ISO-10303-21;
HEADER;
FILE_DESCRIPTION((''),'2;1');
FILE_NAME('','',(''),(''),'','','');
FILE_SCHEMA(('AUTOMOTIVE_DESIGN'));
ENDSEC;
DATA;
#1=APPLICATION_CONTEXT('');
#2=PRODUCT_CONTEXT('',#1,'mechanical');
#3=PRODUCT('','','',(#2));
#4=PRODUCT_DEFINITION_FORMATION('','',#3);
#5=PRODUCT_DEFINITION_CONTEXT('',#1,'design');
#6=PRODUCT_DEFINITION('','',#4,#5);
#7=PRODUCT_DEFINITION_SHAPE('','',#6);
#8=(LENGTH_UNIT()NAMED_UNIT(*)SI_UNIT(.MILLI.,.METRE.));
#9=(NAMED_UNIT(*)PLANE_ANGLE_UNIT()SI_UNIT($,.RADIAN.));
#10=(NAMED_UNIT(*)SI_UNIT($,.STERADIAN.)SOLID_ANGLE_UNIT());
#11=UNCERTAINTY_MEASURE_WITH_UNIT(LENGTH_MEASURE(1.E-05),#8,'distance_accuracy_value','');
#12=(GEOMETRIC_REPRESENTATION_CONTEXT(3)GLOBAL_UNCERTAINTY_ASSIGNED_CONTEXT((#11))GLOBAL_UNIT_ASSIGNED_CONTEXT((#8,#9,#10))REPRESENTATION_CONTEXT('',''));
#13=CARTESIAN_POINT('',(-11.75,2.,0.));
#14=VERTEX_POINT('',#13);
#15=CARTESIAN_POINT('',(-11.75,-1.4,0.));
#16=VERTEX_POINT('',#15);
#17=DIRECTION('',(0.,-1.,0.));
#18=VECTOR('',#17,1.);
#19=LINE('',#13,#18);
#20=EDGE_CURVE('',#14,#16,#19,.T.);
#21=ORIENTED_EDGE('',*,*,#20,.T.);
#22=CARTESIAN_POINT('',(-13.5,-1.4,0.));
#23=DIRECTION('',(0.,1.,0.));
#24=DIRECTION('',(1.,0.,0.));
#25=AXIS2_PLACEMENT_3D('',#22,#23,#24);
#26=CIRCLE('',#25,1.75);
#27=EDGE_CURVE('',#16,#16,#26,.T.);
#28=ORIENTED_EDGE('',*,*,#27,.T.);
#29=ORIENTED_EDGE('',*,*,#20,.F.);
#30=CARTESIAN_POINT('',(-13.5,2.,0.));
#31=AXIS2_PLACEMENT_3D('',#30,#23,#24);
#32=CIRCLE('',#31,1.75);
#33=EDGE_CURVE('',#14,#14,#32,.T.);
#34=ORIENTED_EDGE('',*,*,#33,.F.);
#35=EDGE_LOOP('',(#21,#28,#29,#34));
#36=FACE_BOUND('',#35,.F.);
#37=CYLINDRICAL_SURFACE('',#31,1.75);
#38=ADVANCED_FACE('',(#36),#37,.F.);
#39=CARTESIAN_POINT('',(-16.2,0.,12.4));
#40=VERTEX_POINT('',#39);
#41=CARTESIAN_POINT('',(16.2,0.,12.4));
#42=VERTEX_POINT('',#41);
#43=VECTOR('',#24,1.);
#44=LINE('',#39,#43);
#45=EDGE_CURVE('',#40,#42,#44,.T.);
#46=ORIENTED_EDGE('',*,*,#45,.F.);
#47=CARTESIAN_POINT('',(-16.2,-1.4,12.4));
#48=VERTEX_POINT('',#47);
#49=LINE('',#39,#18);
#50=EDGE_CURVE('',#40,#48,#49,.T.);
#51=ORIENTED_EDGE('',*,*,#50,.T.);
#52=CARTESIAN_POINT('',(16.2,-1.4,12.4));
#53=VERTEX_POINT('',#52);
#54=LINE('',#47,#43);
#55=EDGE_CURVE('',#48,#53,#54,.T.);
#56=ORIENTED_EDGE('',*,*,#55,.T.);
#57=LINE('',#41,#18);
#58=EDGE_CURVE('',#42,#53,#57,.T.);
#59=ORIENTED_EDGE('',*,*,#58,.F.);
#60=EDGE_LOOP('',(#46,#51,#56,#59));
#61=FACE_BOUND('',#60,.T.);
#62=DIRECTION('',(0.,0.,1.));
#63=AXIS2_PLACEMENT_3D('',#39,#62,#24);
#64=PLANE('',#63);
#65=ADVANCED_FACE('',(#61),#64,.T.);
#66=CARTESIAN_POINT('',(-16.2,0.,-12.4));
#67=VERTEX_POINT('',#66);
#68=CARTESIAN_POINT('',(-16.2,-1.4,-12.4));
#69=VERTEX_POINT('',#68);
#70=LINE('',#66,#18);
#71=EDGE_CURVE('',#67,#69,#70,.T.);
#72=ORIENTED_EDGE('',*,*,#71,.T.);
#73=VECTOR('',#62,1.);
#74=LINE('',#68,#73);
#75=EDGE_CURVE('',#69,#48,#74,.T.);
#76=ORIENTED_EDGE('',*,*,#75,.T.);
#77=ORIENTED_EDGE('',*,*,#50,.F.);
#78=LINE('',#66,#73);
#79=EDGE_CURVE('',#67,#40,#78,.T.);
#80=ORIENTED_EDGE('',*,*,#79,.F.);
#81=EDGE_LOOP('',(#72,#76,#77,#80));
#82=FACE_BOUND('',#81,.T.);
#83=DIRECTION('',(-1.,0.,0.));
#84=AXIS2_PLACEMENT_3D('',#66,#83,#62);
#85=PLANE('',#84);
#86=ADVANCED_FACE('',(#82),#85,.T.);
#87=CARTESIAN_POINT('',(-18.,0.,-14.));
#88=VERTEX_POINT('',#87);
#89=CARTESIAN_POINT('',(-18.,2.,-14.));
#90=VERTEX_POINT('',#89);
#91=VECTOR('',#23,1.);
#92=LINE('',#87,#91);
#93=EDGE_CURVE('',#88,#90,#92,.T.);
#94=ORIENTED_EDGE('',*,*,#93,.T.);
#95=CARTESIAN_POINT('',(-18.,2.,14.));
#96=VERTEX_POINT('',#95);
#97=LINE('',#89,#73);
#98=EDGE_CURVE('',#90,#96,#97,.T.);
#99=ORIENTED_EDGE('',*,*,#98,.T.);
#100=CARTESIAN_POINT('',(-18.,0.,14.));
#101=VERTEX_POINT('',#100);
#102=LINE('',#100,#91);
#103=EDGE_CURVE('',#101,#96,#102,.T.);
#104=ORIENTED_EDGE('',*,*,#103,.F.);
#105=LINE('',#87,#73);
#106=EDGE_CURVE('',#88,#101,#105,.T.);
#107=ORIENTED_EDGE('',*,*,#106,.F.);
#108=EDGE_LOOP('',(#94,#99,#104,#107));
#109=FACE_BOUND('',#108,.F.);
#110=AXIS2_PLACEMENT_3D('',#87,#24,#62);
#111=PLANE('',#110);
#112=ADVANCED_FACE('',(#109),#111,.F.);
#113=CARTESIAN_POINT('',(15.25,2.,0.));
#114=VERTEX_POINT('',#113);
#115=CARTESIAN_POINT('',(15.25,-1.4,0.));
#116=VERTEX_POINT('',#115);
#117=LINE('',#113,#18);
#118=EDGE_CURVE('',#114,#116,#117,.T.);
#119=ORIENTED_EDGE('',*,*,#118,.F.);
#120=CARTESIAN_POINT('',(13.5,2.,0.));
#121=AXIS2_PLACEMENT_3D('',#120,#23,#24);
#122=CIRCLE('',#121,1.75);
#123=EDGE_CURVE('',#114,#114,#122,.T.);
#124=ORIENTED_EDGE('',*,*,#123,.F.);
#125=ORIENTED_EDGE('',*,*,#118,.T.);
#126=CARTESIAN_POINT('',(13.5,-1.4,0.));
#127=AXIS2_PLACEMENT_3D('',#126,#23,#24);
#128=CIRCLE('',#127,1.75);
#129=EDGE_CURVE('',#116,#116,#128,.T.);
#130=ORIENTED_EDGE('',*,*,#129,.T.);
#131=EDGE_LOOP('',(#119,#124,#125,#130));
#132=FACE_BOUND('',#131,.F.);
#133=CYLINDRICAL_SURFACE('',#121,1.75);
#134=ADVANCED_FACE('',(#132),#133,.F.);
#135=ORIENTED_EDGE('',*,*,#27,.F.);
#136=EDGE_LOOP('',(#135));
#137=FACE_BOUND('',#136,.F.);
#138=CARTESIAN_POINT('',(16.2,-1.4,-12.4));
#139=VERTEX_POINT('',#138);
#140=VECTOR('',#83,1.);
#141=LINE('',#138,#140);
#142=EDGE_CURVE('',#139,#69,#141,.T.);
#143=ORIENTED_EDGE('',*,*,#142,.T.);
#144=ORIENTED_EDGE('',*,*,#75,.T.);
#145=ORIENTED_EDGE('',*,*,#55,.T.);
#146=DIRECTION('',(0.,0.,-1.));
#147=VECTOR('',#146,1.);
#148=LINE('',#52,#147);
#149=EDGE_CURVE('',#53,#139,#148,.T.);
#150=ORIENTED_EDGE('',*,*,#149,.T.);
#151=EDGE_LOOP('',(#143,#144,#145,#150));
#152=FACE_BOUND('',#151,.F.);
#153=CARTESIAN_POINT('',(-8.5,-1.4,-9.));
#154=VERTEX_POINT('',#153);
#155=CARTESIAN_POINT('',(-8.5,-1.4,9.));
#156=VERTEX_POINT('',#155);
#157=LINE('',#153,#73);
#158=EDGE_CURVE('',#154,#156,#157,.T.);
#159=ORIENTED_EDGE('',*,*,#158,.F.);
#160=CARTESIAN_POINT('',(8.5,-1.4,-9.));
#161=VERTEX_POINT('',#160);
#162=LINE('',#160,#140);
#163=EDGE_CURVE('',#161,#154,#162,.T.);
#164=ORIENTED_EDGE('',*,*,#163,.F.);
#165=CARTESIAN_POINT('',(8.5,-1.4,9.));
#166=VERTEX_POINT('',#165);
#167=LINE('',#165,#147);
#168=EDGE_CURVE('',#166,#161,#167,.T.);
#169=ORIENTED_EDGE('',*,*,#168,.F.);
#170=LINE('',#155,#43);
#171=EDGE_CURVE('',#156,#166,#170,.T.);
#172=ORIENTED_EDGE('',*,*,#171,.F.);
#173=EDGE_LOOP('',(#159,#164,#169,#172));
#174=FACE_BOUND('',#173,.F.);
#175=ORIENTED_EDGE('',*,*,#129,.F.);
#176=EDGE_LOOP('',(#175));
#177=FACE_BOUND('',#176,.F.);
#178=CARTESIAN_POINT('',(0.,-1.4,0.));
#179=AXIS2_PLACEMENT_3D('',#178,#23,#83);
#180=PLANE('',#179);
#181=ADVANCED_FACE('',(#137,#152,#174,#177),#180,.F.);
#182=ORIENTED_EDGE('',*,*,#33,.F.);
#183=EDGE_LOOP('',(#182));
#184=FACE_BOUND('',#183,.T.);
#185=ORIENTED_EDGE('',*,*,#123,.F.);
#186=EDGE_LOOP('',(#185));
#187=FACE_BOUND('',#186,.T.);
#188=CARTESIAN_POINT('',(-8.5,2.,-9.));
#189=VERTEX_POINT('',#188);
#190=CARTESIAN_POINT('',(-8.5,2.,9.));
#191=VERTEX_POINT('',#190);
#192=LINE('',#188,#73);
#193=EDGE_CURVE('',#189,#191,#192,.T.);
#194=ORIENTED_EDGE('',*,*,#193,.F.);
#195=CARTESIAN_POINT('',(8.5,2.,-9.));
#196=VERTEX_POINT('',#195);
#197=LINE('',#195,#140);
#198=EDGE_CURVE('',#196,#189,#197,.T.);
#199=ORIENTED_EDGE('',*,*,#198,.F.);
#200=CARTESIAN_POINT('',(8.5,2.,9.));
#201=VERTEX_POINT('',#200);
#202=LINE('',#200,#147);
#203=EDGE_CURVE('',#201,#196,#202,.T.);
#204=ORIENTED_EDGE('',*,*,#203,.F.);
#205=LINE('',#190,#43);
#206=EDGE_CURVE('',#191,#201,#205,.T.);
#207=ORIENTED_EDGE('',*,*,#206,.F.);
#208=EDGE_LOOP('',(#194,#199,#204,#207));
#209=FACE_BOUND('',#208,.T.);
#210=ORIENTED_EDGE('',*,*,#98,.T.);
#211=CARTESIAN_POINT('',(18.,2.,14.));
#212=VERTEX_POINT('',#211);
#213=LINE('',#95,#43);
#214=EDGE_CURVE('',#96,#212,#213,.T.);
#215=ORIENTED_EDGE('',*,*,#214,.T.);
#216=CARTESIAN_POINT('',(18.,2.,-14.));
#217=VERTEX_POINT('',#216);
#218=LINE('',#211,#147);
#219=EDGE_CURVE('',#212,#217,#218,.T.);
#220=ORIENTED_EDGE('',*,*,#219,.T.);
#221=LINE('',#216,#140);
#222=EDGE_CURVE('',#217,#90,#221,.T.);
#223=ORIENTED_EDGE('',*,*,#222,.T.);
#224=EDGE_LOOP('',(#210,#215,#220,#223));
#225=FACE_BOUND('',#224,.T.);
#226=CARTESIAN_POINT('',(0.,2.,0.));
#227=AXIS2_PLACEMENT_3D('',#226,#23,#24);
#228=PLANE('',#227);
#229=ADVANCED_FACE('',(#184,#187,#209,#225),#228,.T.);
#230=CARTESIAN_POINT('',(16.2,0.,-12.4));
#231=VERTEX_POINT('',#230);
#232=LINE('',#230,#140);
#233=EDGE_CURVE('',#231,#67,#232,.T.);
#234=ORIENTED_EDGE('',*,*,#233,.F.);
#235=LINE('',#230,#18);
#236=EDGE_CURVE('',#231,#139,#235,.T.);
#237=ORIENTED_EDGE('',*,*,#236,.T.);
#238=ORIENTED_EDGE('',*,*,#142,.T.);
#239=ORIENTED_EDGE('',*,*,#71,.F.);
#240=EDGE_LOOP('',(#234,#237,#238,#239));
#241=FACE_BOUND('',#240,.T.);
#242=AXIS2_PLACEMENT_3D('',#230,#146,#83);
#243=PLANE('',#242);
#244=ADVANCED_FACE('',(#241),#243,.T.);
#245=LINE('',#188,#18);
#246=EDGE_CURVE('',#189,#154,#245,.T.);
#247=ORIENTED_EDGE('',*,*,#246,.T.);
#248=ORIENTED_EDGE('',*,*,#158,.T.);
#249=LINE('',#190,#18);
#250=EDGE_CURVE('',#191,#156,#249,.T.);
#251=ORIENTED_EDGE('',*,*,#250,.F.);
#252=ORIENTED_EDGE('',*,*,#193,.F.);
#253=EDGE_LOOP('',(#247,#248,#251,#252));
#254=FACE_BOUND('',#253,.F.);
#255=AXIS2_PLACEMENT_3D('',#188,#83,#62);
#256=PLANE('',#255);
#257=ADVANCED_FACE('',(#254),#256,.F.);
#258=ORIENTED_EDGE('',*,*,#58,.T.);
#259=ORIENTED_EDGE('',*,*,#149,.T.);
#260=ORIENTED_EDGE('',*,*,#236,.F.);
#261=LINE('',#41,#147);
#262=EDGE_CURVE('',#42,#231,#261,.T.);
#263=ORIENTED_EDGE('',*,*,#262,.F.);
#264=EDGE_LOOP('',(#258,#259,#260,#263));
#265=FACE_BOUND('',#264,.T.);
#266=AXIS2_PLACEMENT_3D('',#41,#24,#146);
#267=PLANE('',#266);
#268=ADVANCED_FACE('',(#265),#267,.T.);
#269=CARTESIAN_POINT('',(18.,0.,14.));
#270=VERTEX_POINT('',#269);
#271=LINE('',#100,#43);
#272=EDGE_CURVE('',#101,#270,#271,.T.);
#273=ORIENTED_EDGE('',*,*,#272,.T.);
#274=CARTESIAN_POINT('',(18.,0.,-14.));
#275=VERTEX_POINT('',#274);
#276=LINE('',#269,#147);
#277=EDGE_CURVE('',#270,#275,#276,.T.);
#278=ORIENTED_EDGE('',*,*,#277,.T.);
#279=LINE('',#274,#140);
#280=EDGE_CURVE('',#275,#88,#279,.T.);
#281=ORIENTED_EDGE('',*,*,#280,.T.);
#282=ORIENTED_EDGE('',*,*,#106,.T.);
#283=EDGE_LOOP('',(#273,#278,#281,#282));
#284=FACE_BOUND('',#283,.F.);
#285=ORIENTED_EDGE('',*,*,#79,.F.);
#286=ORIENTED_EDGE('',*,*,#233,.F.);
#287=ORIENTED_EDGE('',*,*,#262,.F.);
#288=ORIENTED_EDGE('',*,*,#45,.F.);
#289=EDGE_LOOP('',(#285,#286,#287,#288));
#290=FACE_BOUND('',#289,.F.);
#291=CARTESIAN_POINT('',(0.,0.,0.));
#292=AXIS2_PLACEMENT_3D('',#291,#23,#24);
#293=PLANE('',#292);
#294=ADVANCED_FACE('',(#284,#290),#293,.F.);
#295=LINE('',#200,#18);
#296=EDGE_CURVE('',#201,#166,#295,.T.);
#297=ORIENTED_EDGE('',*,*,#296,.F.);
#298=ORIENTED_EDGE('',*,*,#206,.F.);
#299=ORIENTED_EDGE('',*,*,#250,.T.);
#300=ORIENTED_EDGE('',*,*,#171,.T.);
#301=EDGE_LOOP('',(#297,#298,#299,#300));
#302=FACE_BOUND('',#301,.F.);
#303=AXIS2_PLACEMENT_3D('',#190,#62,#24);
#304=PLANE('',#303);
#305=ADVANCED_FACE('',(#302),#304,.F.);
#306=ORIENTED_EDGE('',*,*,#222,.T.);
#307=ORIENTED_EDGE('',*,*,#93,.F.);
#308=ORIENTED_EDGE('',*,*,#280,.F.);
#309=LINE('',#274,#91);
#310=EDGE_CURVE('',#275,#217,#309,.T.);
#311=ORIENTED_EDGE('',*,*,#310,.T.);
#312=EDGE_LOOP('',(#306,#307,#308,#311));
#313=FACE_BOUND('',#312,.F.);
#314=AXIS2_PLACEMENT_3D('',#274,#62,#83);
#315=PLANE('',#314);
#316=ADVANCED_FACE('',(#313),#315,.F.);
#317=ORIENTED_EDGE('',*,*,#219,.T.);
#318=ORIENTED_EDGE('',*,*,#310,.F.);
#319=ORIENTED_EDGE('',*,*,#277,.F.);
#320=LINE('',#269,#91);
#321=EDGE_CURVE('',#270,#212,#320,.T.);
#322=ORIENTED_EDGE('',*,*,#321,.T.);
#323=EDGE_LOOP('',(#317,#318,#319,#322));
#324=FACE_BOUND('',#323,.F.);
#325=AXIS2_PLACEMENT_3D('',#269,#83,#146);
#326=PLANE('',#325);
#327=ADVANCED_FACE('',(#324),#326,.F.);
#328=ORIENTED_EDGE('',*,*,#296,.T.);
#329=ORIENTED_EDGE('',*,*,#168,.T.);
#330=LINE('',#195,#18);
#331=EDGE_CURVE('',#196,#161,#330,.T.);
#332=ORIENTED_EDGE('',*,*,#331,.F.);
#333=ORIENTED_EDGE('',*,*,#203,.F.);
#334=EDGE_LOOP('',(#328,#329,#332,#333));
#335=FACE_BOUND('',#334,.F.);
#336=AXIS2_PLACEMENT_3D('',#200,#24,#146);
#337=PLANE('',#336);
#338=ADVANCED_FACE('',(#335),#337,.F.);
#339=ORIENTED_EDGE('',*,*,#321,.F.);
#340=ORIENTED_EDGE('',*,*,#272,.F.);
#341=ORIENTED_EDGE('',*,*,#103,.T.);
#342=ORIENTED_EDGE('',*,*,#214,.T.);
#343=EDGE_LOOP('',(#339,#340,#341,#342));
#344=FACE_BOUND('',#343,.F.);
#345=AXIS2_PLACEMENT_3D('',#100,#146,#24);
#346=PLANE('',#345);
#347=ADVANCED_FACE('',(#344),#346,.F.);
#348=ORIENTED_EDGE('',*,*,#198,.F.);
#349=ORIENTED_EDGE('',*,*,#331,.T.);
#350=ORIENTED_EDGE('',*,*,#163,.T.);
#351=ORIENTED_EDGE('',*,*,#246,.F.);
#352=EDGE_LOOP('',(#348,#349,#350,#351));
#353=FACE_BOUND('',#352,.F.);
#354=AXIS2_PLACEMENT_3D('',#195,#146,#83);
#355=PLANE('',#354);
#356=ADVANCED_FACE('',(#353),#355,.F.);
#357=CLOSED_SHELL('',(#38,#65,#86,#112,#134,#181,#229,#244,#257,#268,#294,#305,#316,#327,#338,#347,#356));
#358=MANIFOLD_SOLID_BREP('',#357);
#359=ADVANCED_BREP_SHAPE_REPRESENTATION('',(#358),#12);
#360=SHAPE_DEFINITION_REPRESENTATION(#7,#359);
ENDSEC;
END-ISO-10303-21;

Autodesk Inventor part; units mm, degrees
ref_plane "YZ Plane" through (0, 0, 0) normal (1, 0, 0) x (0, 1, 0)
ref_plane "XZ Plane" through (0, 0, 0) normal (0, 1, 0) x (-1, 0, 0)
ref_plane "XY Plane" through (0, 0, 0) normal (0, 0, 1) x (1, 0, 0)
sketch "Sketch1" plane through (0, 0, 0) normal (0, 1, 0) x (-1, 0, 0)
  line L0 (16.2, 12.4) -> (-16.2, 12.4)
  line L1 (-16.2, 12.4) -> (-16.2, -12.4)
  line L2 (-16.2, -12.4) -> (16.2, -12.4)
  line L3 (16.2, -12.4) -> (16.2, 12.4)
  line L4 (16.2, 12.4) -> (-16.2, -12.4) construction
  line L5 (-16.2, 12.4) -> (16.2, -12.4) construction
  point P0 (0, 0)
  dimension "d0" = 32.4
  dimension "d1" = 24.8
extrude "Extrusion1" add sketch "Sketch1" against normal blind 1.4
sketch "Sketch2" plane through (0, 0, 0) normal (0, 1, 0) x (1, 0, 0)
  line L0 (-18, -14) -> (18, -14)
  line L1 (18, -14) -> (18, 14)
  line L2 (18, 14) -> (-18, 14)
  line L3 (-18, 14) -> (-18, -14)
  line L4 (-18, -14) -> (18, 14) construction
  line L5 (18, -14) -> (-18, 14) construction
  point P0 (0, 0)
  dimension "d4" = 36
  dimension "d5" = 28
extrude "Extrusion2" add sketch "Sketch2" along normal blind 2
sketch "Sketch3" plane through (0, 2, 0) normal (0, 1, 0) x (1, 0, 0)
  line L0 (-8.5, -9) -> (8.5, -9)
  line L1 (8.5, -9) -> (8.5, 9)
  line L2 (8.5, 9) -> (-8.5, 9)
  line L3 (-8.5, 9) -> (-8.5, -9)
  line L4 (-8.5, -9) -> (8.5, 9) construction
  line L5 (8.5, -9) -> (-8.5, 9) construction
  circle A0 centre (-13.5, 0) radius 1.75
  circle A1 centre (13.5, 0) radius 1.75
  point P0 (0, 0)
  dimension "d8" = 17
  dimension "d9" = 18
  dimension "d10" = 13.5
  dimension "d11" = 13.5
  dimension "d12" = 3.5
  dimension "d13" = 3.5
extrude "Extrusion3" cut sketch "Sketch3" against normal up to surface (3.4 mm away)
equation "\"d11\" = d10"
properties part number "network panel_3DPrint"
